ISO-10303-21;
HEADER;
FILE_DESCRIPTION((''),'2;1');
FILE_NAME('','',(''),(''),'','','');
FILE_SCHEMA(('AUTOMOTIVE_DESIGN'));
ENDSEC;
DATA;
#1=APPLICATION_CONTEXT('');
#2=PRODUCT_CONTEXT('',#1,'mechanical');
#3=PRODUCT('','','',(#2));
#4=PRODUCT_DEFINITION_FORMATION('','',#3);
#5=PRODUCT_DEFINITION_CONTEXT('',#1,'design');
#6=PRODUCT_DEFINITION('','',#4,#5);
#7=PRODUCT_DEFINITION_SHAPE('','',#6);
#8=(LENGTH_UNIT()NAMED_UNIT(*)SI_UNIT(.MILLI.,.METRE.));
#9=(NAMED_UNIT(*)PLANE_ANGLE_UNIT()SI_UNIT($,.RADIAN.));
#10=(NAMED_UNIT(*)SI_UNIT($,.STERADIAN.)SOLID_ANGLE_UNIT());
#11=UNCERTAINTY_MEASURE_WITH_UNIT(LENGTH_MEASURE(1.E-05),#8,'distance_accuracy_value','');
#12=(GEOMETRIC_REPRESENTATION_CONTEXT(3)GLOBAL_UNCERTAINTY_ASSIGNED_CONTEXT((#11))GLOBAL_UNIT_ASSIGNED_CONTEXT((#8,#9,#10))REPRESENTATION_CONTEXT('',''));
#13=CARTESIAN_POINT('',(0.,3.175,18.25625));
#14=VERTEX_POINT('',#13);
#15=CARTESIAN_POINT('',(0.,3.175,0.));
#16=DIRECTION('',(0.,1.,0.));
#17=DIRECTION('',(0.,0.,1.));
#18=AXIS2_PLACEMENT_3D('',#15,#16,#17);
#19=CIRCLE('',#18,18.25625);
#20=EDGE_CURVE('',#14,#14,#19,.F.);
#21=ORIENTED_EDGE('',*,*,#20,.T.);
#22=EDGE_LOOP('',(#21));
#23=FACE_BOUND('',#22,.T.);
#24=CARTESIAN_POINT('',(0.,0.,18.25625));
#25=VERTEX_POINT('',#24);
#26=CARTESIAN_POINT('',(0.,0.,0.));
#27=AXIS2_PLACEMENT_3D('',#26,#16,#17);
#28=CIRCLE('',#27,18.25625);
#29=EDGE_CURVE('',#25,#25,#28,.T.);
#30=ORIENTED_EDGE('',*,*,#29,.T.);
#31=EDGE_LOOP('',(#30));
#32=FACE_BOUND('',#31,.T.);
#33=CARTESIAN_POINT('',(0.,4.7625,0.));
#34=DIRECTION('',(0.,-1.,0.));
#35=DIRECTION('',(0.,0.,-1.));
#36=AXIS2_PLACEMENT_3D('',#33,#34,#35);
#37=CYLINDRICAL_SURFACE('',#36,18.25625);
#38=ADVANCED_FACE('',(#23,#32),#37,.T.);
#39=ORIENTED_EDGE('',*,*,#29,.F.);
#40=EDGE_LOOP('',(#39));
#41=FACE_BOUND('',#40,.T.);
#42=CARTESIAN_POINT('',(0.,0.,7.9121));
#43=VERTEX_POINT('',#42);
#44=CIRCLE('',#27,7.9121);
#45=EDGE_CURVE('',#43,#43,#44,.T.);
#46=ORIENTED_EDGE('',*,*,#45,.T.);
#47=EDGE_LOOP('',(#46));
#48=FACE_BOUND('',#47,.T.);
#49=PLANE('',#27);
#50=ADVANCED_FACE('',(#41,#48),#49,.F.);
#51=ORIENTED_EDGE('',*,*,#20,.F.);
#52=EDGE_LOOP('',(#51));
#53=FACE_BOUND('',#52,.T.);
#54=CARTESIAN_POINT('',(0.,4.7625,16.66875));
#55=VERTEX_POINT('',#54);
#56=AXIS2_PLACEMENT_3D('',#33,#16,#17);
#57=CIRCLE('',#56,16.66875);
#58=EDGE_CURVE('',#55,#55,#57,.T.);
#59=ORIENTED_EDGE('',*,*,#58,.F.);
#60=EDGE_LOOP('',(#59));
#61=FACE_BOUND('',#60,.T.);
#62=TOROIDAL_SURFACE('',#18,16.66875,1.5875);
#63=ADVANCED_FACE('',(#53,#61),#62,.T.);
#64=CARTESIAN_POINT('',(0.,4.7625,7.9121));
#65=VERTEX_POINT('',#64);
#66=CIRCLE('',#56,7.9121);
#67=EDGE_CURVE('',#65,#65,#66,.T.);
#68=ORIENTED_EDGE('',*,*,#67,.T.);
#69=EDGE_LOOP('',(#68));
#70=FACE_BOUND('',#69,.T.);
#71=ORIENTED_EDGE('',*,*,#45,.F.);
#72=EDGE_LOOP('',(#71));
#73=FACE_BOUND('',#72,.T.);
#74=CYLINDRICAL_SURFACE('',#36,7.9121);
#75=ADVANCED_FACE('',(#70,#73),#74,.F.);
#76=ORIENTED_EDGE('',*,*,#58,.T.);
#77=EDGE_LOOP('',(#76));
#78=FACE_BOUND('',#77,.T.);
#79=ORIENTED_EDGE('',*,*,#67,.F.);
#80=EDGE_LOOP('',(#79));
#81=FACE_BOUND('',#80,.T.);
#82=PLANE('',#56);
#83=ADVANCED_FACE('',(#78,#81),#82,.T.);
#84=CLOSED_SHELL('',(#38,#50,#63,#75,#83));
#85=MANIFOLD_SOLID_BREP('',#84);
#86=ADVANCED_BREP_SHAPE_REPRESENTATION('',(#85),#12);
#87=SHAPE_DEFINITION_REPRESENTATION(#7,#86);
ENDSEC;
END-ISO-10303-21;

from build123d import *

# Parameters (mm, degrees)
SKETCH1_R           = 18.25625
SKETCH1_R_2         = 7.9121
BOSS_EXTRUDE1_DEPTH = 4.7625
FILLET1_R           = 1.5875


with BuildPart() as part:
    # Sketch1 → Boss-Extrude1 (new body)
    with BuildSketch(Plane(origin=(0, 0, 0), x_dir=(1, 0, 0), z_dir=(0, 1, 0))):
        Circle(SKETCH1_R)
        Circle(SKETCH1_R_2, mode=Mode.SUBTRACT)
    extrude(amount=BOSS_EXTRUDE1_DEPTH)

    # Fillet1
    fillet1_edges = [part.edges().sort_by_distance(p)[0] for p in [
        (-18.25625, 4.7625, 0),
    ]]
    fillet(fillet1_edges, radius=FILLET1_R)


solid = part.part
